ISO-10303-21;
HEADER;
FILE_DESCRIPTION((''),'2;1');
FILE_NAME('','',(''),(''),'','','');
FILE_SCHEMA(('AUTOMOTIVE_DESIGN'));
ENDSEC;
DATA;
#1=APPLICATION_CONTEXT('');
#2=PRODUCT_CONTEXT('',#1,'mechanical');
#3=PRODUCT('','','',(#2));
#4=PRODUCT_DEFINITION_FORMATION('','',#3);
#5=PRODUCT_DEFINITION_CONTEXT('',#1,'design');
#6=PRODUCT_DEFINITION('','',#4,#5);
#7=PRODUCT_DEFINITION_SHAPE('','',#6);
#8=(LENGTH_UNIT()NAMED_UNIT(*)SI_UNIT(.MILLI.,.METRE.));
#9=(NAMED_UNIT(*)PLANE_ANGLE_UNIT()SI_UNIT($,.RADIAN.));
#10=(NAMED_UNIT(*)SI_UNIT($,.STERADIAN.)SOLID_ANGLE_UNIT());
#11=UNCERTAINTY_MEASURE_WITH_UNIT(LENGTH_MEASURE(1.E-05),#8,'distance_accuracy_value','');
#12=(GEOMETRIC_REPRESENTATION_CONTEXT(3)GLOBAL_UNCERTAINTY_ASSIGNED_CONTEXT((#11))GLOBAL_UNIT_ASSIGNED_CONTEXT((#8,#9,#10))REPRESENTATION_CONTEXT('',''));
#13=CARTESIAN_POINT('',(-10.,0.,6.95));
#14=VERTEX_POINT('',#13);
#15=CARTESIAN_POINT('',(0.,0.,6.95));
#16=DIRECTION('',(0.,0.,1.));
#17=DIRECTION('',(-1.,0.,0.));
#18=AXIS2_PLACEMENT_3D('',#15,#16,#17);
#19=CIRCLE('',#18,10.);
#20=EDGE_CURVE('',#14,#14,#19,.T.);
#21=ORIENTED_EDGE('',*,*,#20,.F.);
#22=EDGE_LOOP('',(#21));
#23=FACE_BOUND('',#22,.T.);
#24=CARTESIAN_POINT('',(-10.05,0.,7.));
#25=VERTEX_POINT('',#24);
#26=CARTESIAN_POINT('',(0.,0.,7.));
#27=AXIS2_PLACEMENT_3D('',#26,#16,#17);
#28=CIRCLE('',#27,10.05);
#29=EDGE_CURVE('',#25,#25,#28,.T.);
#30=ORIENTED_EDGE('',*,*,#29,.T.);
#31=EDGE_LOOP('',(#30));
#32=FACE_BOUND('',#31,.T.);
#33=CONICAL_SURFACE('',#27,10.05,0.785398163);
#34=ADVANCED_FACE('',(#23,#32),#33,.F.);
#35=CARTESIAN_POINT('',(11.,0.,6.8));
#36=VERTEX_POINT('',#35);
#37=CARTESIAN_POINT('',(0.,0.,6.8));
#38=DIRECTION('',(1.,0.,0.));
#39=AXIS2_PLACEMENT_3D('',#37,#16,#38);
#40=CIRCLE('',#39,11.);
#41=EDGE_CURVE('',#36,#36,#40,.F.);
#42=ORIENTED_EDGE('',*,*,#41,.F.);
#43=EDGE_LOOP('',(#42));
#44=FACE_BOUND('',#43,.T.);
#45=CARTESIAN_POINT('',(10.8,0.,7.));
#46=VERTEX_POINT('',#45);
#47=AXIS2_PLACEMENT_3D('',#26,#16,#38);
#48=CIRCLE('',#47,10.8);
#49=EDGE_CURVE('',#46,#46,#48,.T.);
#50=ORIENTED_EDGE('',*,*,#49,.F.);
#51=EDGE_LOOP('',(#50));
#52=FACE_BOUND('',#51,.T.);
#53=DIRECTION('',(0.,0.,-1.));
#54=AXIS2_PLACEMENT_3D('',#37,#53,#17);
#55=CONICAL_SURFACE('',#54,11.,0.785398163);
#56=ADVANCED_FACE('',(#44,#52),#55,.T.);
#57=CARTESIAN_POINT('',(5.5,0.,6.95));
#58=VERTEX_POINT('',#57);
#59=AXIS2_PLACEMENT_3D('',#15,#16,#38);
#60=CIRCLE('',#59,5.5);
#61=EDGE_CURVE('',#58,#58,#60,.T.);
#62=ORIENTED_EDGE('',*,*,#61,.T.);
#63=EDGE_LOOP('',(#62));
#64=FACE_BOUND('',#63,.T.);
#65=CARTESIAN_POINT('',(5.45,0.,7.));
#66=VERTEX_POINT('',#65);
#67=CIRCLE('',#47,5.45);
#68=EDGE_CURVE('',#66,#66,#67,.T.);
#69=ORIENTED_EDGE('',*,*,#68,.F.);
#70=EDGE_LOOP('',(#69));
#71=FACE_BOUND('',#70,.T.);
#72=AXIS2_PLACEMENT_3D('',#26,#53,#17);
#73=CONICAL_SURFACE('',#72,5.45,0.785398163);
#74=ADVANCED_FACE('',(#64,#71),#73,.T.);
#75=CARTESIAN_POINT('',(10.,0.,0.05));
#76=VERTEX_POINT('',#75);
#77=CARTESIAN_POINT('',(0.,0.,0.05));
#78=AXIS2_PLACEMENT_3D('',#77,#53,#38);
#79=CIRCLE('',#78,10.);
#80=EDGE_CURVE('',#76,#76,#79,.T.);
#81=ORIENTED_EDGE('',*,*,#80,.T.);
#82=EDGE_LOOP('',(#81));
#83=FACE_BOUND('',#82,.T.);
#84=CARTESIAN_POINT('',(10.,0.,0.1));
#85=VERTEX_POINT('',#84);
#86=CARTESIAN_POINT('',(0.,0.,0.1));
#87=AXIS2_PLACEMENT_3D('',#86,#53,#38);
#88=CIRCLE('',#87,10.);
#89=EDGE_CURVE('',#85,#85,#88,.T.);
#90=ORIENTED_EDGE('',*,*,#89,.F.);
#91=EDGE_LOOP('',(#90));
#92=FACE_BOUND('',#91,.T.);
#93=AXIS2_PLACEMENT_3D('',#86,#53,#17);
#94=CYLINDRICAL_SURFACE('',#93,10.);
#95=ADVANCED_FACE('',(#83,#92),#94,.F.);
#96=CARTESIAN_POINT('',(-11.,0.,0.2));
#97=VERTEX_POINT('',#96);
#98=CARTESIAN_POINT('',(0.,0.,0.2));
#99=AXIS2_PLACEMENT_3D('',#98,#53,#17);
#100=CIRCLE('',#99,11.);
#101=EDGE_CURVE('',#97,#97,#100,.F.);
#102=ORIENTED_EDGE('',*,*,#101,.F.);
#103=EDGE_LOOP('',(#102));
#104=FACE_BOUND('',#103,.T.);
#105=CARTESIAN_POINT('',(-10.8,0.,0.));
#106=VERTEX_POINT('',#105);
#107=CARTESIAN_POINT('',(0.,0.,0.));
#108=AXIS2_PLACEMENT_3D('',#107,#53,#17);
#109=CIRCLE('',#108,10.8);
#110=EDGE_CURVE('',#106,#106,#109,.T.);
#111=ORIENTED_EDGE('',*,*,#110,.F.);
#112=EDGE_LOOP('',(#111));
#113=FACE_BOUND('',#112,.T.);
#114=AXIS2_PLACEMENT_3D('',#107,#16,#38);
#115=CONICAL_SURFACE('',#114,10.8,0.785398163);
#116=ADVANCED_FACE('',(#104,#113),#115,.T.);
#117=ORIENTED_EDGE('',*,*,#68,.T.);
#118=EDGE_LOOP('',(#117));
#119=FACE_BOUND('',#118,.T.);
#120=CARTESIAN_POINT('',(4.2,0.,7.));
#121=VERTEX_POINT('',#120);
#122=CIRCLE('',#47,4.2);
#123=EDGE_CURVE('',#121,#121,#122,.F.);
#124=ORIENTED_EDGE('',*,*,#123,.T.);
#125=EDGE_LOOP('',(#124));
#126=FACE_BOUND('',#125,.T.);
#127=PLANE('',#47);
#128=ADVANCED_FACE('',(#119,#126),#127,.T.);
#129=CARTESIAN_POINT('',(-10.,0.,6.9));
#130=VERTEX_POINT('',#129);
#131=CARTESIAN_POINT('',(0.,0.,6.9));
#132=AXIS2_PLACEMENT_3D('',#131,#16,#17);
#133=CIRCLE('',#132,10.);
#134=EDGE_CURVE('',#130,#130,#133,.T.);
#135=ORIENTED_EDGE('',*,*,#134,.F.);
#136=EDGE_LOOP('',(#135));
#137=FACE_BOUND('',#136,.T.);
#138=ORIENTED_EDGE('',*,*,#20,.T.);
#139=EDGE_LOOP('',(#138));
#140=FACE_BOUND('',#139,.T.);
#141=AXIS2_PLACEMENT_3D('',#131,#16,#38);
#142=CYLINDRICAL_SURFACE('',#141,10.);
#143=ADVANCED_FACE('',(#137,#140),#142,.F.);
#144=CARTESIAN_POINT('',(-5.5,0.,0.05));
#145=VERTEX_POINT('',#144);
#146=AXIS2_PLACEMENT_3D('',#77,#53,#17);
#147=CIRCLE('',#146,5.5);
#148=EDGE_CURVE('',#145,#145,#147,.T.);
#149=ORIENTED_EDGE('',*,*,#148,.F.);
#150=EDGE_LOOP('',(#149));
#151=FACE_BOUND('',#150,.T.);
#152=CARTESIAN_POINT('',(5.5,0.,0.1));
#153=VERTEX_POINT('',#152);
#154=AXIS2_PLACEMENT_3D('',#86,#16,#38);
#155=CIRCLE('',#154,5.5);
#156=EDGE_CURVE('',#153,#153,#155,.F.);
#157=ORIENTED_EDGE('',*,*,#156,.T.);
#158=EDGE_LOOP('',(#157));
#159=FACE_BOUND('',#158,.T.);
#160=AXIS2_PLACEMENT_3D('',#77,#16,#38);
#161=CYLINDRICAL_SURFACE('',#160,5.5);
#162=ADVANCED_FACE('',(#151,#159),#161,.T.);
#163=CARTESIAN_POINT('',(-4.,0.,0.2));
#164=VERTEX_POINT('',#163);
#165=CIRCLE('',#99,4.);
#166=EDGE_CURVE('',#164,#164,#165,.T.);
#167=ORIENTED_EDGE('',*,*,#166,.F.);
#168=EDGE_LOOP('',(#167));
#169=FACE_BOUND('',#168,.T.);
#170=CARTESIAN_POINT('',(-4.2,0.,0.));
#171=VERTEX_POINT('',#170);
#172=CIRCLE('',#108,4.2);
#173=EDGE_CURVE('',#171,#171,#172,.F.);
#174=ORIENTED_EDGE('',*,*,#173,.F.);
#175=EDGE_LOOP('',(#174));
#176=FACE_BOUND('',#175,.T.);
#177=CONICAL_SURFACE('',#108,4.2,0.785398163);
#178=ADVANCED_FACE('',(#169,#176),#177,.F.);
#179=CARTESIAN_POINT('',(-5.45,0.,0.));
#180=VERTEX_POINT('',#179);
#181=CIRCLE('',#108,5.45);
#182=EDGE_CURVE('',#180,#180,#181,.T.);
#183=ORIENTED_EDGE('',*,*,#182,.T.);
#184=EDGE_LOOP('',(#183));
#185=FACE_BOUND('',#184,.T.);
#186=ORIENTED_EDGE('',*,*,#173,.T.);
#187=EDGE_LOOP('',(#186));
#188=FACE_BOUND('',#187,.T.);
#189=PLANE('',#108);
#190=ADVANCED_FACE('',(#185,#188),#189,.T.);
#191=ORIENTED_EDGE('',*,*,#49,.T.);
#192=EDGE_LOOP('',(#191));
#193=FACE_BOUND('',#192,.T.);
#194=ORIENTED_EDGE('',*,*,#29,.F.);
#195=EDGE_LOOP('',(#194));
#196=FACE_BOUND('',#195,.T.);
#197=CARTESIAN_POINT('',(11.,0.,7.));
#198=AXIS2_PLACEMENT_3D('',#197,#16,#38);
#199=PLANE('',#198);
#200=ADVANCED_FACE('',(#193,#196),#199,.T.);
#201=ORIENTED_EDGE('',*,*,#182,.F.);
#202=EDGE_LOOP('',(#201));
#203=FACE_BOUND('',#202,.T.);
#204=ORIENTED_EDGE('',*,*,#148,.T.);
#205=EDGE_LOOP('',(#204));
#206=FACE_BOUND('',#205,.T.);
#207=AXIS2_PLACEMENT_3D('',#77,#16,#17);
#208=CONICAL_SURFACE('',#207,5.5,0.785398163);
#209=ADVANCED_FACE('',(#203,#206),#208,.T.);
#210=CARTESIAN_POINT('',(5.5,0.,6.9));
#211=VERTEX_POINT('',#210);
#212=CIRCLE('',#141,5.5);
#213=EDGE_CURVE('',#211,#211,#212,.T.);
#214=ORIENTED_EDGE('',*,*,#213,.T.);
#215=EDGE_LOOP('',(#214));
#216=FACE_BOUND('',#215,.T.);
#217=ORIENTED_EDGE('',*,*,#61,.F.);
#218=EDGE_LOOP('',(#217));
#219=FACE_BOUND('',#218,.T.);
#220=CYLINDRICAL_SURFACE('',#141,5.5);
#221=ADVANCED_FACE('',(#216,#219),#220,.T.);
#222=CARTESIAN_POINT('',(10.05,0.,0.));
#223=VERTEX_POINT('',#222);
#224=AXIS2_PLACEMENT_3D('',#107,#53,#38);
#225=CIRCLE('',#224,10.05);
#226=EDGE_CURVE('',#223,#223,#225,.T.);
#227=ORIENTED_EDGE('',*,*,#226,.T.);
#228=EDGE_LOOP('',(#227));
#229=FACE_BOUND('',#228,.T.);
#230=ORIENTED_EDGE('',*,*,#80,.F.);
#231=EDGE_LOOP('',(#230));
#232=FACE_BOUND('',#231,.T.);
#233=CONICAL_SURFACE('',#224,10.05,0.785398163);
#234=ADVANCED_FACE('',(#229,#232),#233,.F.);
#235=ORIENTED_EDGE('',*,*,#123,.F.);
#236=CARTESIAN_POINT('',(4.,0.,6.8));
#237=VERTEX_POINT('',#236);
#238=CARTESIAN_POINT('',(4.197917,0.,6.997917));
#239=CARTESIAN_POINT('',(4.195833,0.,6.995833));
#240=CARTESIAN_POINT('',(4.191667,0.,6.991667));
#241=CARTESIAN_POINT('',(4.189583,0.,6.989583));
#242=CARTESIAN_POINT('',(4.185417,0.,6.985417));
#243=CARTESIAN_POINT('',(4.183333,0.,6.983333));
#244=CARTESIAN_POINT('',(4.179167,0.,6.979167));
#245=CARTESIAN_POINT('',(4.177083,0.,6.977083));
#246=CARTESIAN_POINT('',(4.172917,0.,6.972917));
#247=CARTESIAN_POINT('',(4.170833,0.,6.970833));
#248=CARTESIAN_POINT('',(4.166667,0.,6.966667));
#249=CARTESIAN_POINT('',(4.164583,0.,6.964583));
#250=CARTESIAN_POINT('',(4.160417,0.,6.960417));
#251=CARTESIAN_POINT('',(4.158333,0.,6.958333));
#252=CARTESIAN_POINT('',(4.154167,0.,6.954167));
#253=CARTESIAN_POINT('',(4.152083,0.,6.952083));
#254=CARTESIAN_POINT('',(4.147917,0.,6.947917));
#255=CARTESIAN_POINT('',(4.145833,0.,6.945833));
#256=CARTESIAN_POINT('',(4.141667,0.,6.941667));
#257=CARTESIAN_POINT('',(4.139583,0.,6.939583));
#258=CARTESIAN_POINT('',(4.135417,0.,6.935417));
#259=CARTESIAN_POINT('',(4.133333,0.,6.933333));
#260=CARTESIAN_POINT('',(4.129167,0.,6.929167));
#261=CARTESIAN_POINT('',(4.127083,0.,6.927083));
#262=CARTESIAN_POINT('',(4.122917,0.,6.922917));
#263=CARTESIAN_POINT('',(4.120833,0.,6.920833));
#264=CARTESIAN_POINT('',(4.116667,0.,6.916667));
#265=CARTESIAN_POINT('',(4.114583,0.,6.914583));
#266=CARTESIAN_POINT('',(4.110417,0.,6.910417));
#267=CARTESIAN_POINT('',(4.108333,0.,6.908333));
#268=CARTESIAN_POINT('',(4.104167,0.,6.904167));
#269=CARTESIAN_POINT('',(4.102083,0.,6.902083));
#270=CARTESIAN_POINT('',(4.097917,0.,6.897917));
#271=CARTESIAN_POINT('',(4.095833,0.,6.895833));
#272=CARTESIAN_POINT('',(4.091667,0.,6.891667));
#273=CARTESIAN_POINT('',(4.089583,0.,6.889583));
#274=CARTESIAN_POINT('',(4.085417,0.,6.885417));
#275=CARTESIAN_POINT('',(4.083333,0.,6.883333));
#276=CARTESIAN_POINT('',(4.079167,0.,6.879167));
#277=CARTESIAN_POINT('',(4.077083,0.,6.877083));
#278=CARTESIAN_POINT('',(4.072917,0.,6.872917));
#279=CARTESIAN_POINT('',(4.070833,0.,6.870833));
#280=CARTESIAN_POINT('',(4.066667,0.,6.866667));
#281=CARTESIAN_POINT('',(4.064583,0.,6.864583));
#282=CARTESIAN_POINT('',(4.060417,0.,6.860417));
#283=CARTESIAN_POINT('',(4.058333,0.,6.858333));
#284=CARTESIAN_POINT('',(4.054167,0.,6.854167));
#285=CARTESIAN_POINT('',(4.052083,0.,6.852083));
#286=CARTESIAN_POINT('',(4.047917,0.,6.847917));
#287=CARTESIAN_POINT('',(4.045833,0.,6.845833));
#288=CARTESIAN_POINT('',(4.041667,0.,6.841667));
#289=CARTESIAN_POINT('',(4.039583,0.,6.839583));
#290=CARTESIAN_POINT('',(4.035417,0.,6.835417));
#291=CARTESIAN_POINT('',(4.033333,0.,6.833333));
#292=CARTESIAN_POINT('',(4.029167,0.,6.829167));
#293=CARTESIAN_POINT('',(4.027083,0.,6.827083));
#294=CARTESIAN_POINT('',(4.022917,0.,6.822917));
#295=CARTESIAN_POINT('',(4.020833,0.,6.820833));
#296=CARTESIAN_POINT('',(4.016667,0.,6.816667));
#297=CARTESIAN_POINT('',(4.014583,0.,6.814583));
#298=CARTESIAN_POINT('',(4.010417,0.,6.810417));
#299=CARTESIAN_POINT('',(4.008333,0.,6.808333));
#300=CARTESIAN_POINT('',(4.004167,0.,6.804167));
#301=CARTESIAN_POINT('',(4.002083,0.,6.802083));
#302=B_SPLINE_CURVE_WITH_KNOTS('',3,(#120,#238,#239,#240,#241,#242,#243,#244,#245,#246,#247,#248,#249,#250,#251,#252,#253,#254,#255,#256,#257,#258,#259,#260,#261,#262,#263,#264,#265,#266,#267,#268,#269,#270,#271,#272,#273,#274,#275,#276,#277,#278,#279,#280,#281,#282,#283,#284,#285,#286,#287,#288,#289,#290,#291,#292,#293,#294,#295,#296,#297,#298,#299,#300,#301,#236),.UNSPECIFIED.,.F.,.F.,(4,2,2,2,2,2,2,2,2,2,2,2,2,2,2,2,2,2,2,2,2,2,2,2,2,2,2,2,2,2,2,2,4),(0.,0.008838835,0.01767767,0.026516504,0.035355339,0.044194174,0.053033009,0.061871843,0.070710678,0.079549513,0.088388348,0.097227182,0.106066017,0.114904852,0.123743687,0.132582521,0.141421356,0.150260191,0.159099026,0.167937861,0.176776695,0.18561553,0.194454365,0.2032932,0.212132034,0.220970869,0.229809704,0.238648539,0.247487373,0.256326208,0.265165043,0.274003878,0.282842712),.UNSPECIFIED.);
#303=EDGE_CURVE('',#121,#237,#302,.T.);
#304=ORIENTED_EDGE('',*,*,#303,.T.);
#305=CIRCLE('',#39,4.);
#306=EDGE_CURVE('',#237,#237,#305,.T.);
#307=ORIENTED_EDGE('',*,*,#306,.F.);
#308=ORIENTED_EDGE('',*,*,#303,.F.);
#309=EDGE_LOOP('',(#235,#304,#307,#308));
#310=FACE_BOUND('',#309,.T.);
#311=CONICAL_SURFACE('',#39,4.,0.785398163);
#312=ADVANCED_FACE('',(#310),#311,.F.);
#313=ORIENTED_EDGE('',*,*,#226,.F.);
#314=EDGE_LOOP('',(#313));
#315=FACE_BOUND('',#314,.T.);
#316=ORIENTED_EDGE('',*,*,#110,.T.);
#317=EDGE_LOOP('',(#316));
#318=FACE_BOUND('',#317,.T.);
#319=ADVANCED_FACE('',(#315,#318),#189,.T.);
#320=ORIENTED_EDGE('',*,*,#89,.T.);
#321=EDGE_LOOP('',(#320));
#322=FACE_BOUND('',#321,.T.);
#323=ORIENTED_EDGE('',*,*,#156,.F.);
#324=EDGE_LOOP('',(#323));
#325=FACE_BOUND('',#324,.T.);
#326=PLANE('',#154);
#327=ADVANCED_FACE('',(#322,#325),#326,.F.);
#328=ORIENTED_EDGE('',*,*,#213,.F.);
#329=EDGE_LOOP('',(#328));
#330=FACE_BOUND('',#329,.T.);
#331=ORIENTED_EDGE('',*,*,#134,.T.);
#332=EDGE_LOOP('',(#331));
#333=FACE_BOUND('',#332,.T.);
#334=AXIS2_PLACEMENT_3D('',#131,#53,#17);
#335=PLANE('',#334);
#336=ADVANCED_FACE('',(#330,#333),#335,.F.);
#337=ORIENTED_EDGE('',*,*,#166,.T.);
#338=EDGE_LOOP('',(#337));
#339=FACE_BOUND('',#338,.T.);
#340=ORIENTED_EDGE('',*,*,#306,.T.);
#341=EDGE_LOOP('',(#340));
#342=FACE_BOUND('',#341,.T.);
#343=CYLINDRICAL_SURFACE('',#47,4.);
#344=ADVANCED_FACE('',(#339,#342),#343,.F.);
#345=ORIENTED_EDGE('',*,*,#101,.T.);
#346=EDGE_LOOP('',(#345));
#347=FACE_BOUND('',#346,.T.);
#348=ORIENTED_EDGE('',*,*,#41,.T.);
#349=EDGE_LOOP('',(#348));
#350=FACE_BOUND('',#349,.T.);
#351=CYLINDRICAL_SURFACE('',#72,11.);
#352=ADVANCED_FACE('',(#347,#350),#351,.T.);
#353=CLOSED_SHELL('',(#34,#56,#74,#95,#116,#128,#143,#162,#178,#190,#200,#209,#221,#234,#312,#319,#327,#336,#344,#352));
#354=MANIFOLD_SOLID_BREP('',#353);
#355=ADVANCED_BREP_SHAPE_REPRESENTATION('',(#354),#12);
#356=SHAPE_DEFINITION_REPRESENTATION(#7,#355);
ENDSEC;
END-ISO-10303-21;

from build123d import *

# Parameters (mm, degrees)
SKETCH1_W                = 11
SKETCH1_H                = 7
SKETCH2_R                = 10.05
CUT_EXTRUDE1_DEPTH       = 0.05
CUT_EXTRUDE1_DRAFT       = -45
SKETCH3_R                = 10
CUT_EXTRUDE2_DEPTH       = 0.05
SKETCH4_R                = 5.5
BOSS_EXTRUDE1_DEPTH      = 0.05
SKETCH5_R                = 5.5
BOSS_EXTRUDE2_DEPTH      = 0.05
BOSS_EXTRUDE2_TAPER      = 45
SKETCH6_R                = 10.05
CUT_EXTRUDE3_DEPTH       = 0.05
CUT_EXTRUDE3_DRAFT       = -45
CUT_EXTRUDE4_START       = -0.05
SKETCH7_R                = 10
CUT_EXTRUDE4_DEPTH       = 0.05
F_8_0_8_DIAMETER_HOLE1_D = 8
CHAMFER1_SIZE            = 0.2


with BuildPart() as part:
    # Sketch1 → Revolve1 (revolve)
    with BuildSketch(Plane.XZ, mode=Mode.PRIVATE) as revolve1_sk:
        with Locations((5.5, 3.5)):
            Rectangle(SKETCH1_W, SKETCH1_H)
    revolve(revolve1_sk.sketch.rotate(Axis((0, 0, 7), (0, 0, -1)), 180), axis=Axis((0, 0, 7), (0, 0, -1)))


with BuildPart() as cut_extrude1_tool:
    # Sketch2 → Cut-Extrude1 (with draft: the straight prism first)
    with BuildSketch(Plane(origin=(0, 0, 0), x_dir=(-1, 0, 0), z_dir=(0, 0, -1))):
        Circle(SKETCH2_R)
    extrude(amount=-CUT_EXTRUDE1_DEPTH)
    # Cut-Extrude1: the draft: its side faces are tilted about the plane it starts from
    cut_extrude1_sides = [cut_extrude1_tool.faces().sort_by_distance(p)[0] for p in [
        (10.05, 0, 0.025),
    ]]
    draft(cut_extrude1_sides, Plane(origin=(0, 0, 0), x_dir=(-1, 0, 0), z_dir=(0, 0, -1)), CUT_EXTRUDE1_DRAFT)


with BuildPart() as part_1:
    add(part.part)

    # Cut-Extrude1: cut by cut_extrude1_tool
    add(cut_extrude1_tool.part, mode=Mode.SUBTRACT)

    # Sketch3 → Cut-Extrude2 (cut)
    with BuildSketch(Plane(origin=(0, 0, 0.05), x_dir=(-1, 0, 0), z_dir=(0, 0, -1))):
        with Locations(Location((0, 0, 0), (0, 0, 180))):
            Circle(SKETCH3_R)
    extrude(amount=-CUT_EXTRUDE2_DEPTH, mode=Mode.SUBTRACT)

    # Sketch4 → Boss-Extrude1 (add)
    with BuildSketch(Plane(origin=(0, 0, 0.1), x_dir=(-1, 0, 0), z_dir=(0, 0, -1))):
        with Locations(Location((0, 0, 0), (0, 0, 180))):
            Circle(SKETCH4_R)
    extrude(amount=BOSS_EXTRUDE1_DEPTH)

    # Sketch5 → Boss-Extrude2 (add)
    with BuildSketch(Plane(origin=(0, 0, 0.05), x_dir=(-1, 0, 0), z_dir=(0, 0, -1))):
        with Locations(Location((0, 0, 0), (0, 0, 180))):
            Circle(SKETCH5_R)
    extrude(amount=BOSS_EXTRUDE2_DEPTH, taper=BOSS_EXTRUDE2_TAPER)


with BuildPart() as cut_extrude3_tool:
    # Sketch6 → Cut-Extrude3 (with draft: the straight prism first)
    with BuildSketch(Plane.XY.offset(7)):
        Circle(SKETCH6_R)
    extrude(amount=-CUT_EXTRUDE3_DEPTH)
    # Cut-Extrude3: the draft: its side faces are tilted about the plane it starts from
    cut_extrude3_sides = [cut_extrude3_tool.faces().sort_by_distance(p)[0] for p in [
        (-10.05, 0, 6.975),
    ]]
    draft(cut_extrude3_sides, Plane.XY.offset(7), CUT_EXTRUDE3_DRAFT)


with BuildPart() as part_2:
    add(part_1.part)

    # Cut-Extrude3: cut by cut_extrude3_tool
    add(cut_extrude3_tool.part, mode=Mode.SUBTRACT)

    # Sketch7 → Cut-Extrude4 (cut)
    with BuildSketch(Plane.XY.offset(6.95).offset(CUT_EXTRUDE4_START)):
        Circle(SKETCH7_R)
    extrude(amount=CUT_EXTRUDE4_DEPTH, mode=Mode.SUBTRACT)

    # Sketch8 → Revolve2 (revolve)
    with BuildSketch(Plane(origin=(0, 0, 0), x_dir=(1, 0, 0), z_dir=(0, 1, 0))):
        Polygon((5.5, -6.9), (0, -6.9), (0, -7), (5.45, -7), (5.5, -6.95), align=None)
    revolve(axis=Axis((0, 0, 6.9), (0, 0, 1)))

    # Ø8.0 (8) Diameter Hole1 (through all)
    with Locations(Plane.XY.offset(7)):
        with Locations((0, 0)):
            Hole(F_8_0_8_DIAMETER_HOLE1_D / 2)

    # Chamfer1
    chamfer1_edges = [part_2.edges().sort_by_distance(p)[0] for p in [
        (11, 0, 0),
        (4, 0, 7),
        (4, 0, 0),
        (11, 0, 7),
    ]]
    chamfer(chamfer1_edges, length=CHAMFER1_SIZE)


solid = part_2.part
